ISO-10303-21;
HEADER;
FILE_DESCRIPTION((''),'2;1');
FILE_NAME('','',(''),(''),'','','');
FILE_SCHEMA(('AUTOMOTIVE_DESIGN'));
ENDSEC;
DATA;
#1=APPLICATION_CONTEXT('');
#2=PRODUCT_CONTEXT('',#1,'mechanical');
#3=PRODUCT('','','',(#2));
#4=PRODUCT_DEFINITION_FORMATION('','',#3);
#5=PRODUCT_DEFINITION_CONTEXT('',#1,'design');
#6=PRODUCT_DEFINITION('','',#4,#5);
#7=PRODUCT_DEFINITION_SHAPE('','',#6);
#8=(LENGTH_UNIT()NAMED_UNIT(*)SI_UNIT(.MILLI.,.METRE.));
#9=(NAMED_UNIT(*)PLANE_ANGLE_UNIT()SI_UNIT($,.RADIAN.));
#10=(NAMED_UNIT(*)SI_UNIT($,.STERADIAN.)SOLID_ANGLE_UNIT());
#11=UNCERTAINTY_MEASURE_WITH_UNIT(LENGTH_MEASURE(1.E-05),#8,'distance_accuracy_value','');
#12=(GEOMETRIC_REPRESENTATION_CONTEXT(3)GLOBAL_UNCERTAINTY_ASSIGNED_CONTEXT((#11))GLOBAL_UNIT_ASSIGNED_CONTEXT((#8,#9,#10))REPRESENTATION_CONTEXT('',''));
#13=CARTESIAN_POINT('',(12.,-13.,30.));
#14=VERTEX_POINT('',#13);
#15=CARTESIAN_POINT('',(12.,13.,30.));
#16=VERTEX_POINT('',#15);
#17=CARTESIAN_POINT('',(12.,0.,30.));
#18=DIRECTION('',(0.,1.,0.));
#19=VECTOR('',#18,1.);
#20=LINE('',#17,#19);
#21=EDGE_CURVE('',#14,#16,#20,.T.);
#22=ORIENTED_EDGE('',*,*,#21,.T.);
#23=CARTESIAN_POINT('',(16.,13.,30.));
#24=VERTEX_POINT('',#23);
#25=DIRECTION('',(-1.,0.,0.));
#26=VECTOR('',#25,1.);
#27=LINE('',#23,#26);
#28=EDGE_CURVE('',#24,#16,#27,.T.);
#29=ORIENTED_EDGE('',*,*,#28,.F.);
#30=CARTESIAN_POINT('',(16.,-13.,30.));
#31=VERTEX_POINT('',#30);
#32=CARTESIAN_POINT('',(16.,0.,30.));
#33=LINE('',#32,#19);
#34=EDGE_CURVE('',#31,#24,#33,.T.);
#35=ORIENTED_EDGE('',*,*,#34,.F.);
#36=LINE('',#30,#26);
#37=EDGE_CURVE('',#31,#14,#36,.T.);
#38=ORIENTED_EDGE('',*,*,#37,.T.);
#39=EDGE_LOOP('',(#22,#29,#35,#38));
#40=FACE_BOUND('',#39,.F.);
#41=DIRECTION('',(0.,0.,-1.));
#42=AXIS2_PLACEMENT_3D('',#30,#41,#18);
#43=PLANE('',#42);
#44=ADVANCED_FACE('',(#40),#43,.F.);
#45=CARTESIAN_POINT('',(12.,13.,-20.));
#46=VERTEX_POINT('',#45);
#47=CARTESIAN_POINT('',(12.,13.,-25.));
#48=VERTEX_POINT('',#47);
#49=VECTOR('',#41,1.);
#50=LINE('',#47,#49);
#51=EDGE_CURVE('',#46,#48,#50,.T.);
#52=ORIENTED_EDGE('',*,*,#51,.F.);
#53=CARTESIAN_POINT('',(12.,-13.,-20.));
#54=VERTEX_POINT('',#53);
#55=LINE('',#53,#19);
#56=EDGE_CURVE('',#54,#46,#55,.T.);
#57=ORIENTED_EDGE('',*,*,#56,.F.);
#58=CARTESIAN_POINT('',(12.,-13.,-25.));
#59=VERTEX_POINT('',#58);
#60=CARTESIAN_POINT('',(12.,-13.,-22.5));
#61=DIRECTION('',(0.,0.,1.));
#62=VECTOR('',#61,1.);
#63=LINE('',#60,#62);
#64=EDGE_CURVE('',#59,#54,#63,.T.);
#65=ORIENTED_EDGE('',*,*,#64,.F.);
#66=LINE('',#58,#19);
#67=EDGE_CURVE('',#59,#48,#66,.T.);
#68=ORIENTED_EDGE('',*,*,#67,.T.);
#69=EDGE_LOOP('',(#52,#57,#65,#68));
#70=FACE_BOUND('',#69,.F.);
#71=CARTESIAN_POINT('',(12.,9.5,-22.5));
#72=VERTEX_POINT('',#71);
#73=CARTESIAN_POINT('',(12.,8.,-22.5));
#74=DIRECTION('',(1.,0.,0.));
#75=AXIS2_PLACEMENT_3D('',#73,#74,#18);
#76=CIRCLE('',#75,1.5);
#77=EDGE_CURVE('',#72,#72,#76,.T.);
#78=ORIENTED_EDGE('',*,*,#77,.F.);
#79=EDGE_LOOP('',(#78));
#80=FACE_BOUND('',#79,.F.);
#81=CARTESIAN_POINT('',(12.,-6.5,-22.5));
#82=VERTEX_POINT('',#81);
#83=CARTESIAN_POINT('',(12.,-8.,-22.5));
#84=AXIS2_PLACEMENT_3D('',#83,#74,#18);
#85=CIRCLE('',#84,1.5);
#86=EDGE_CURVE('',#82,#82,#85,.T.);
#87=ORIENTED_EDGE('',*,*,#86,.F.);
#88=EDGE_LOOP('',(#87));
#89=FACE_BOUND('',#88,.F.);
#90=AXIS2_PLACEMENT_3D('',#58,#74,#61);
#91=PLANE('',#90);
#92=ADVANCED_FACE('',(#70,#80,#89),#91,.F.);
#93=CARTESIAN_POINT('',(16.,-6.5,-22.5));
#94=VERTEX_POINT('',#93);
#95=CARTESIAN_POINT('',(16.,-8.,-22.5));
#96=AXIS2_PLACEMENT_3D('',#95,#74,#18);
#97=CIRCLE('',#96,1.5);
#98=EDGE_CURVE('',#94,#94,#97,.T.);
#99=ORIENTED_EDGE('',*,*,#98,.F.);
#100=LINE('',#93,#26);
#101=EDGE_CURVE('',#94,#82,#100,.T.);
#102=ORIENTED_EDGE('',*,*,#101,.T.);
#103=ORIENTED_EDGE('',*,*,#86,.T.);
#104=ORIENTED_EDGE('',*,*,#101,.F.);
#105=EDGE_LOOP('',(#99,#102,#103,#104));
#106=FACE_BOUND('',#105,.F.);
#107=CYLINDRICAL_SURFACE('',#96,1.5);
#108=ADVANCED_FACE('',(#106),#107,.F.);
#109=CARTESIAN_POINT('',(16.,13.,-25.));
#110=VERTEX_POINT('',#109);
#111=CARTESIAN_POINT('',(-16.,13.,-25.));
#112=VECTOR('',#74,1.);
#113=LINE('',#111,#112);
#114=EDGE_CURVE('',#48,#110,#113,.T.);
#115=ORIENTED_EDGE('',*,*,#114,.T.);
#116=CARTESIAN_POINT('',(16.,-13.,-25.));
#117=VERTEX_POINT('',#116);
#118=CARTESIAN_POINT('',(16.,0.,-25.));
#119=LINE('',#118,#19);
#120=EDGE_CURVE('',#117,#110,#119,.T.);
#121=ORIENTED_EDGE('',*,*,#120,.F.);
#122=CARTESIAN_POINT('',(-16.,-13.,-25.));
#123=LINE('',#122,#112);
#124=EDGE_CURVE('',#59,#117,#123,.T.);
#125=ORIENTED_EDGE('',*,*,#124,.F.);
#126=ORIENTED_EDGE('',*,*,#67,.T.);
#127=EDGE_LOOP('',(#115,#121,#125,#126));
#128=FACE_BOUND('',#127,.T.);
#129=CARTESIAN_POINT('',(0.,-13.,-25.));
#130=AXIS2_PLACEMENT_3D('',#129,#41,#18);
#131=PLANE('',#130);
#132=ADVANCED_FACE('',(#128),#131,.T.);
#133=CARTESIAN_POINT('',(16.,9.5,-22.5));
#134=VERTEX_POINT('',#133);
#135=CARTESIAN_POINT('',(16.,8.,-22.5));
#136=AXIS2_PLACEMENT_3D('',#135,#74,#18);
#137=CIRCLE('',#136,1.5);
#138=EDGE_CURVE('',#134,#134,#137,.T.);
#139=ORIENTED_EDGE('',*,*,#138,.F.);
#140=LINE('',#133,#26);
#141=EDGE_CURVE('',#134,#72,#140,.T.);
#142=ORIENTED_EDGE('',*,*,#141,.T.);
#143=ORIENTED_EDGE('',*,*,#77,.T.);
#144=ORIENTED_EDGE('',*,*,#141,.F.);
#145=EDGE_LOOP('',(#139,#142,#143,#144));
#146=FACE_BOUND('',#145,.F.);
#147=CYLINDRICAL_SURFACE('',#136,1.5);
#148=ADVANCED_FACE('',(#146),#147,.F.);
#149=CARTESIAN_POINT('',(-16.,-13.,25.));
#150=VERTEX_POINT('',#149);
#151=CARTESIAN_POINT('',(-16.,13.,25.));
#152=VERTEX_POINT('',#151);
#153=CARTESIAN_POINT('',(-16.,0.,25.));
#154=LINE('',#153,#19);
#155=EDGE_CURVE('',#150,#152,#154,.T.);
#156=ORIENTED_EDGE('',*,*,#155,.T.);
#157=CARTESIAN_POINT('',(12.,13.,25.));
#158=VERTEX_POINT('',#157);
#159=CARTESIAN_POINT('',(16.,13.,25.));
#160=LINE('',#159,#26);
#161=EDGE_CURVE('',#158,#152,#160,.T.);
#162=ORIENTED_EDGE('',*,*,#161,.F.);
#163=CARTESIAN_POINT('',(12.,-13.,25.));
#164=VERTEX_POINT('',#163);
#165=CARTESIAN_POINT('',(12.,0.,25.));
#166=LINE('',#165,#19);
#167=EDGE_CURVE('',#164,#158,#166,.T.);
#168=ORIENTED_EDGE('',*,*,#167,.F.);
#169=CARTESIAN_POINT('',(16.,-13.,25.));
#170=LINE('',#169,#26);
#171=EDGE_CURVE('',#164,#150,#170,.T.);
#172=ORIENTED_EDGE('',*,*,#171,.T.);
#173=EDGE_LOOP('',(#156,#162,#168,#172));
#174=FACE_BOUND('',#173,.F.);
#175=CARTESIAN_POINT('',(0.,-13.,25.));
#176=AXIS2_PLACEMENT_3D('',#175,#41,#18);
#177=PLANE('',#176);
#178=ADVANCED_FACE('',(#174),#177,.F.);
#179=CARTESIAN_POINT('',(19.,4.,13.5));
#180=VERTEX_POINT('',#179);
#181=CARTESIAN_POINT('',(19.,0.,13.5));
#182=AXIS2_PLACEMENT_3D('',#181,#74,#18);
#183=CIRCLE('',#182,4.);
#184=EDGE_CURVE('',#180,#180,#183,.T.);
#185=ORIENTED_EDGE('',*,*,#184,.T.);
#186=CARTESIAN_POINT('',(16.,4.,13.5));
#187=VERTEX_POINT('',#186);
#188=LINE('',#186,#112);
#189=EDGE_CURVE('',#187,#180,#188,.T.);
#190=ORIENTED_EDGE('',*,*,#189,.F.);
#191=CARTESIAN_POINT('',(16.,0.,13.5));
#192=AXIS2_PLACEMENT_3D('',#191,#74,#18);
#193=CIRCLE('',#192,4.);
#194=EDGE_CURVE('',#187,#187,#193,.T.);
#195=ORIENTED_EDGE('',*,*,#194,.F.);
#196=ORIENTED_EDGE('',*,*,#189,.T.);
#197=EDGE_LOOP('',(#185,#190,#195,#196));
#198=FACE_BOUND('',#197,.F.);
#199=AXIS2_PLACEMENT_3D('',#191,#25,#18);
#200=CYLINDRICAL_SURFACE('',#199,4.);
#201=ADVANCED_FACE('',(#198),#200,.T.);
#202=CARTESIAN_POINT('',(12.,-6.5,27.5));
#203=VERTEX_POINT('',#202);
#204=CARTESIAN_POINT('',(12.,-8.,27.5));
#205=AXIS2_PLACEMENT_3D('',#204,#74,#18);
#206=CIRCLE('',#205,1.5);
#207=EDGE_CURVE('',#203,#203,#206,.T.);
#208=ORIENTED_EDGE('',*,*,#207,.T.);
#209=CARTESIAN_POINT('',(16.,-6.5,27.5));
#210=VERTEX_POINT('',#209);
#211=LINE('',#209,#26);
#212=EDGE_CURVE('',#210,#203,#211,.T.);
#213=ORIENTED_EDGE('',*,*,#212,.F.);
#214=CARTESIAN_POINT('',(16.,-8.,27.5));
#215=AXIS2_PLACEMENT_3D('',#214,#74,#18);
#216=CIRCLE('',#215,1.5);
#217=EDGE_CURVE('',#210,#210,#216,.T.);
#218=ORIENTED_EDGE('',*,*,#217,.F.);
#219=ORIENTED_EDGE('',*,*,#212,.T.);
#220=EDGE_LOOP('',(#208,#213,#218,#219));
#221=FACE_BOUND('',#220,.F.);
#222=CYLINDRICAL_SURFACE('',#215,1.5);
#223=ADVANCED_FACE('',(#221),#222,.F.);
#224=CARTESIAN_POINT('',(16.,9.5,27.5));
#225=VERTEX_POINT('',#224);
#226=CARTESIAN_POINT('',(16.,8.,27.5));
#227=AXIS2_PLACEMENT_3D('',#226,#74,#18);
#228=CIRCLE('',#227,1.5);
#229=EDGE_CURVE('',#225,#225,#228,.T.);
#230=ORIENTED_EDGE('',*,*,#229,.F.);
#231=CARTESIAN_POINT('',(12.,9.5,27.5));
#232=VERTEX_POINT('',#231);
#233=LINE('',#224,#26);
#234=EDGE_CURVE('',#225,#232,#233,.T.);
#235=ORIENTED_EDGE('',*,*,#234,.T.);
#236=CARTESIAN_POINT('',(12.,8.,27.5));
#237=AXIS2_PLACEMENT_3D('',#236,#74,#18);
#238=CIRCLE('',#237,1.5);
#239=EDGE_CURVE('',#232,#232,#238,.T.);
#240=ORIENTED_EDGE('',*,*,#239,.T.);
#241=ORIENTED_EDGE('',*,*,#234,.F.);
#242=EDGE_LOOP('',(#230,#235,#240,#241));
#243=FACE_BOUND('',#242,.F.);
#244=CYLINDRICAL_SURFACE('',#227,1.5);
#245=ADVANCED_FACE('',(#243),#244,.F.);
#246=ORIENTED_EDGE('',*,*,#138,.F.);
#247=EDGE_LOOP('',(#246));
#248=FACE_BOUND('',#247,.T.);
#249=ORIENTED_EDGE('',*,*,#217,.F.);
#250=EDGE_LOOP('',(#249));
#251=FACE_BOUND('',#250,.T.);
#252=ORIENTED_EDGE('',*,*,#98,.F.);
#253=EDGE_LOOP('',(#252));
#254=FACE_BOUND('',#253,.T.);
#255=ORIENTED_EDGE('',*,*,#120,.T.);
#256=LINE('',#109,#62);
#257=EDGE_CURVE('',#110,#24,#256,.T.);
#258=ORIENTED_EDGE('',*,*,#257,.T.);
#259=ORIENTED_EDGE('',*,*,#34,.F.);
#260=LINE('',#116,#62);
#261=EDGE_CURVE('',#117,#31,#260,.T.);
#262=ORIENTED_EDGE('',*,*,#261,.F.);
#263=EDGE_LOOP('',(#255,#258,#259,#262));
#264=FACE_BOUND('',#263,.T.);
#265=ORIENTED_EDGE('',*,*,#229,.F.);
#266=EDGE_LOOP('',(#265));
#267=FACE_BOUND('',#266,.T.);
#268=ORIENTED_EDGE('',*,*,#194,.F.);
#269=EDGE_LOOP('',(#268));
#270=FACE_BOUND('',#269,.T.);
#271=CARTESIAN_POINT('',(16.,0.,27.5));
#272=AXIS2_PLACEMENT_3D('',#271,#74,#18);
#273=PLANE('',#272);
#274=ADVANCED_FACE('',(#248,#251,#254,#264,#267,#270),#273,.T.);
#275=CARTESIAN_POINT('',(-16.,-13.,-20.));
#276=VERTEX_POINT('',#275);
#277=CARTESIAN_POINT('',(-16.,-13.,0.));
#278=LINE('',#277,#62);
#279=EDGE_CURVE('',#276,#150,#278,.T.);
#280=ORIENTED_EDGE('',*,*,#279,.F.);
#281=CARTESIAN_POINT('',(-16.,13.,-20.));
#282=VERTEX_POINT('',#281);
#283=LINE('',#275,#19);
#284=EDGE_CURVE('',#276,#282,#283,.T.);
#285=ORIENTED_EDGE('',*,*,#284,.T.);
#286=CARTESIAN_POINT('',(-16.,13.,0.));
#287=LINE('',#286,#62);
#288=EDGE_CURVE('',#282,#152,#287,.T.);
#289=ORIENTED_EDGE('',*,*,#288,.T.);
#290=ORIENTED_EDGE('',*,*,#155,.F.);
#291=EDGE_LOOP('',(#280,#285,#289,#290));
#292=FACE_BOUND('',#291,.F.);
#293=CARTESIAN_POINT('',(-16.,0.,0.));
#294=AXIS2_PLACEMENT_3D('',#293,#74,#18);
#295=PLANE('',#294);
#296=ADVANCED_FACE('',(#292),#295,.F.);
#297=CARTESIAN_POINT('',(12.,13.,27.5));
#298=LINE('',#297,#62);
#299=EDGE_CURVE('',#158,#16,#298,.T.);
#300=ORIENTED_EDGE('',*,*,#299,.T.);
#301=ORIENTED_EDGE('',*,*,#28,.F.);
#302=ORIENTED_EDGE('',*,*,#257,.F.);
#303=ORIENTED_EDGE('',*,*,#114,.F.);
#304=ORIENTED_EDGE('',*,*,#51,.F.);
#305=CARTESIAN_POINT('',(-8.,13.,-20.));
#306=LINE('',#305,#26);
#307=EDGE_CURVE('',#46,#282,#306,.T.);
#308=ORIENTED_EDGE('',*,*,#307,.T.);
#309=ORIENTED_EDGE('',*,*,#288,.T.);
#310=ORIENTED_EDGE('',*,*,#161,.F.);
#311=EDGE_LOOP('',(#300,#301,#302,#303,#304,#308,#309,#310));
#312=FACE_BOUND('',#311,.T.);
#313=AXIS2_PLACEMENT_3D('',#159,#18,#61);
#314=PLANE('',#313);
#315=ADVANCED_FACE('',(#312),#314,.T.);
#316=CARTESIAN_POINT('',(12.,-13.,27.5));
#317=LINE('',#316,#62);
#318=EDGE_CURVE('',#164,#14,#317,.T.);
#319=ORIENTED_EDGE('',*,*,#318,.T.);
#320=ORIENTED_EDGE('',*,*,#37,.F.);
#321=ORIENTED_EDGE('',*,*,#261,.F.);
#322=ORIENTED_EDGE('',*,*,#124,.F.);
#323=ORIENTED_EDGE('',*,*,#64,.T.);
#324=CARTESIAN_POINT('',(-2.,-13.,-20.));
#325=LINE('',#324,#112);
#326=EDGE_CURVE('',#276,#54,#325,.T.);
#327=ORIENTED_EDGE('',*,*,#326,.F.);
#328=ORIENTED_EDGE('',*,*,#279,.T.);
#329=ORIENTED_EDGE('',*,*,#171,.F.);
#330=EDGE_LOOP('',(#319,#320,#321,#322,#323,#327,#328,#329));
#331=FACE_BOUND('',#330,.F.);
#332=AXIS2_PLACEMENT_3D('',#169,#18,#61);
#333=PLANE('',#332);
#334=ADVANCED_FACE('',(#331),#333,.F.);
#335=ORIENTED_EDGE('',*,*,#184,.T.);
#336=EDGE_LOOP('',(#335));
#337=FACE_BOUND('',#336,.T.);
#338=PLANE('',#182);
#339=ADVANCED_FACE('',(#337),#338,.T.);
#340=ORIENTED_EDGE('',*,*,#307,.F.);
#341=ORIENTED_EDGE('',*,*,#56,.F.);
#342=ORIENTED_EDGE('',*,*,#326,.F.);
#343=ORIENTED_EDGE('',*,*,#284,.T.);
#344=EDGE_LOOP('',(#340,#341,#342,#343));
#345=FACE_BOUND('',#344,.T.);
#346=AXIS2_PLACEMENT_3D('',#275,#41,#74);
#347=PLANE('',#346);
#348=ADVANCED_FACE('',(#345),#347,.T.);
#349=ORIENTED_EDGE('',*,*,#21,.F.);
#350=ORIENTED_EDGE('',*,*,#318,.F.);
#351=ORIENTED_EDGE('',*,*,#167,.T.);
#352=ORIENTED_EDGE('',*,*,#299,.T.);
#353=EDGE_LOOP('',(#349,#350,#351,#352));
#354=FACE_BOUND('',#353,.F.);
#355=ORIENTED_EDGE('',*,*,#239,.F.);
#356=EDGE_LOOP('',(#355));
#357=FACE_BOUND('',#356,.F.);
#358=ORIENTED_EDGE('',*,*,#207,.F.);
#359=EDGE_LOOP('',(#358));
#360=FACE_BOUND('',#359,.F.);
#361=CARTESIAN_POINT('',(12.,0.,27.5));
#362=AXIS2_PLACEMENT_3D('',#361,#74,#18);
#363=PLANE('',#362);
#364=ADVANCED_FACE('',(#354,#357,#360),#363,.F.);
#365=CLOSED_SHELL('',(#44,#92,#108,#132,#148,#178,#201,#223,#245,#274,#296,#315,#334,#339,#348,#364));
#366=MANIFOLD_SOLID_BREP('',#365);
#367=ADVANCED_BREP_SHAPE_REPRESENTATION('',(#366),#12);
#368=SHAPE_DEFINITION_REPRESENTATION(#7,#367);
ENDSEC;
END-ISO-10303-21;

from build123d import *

# Parameters (mm, degrees)
F0_W     = 26
F0_H     = 50
F1_DEPTH = 16
F2_R     = 4
F3_DEPTH = 3
F4_W     = 28
F4_H     = 5
F5_DEPTH = 1320.8
F6_W     = 26
F6_H     = 5
F6_R     = 1.5
F7_DEPTH = 4
F8_R     = 1.5
F9_DEPTH = 4


with BuildPart() as f1:
    # F0 (on Right) → F1 (new body, symmetric)
    with BuildSketch(Plane.YZ):
        Rectangle(F0_W, F0_H)
    extrude(amount=F1_DEPTH, both=True)

    # F2 (on face) → F3 (join)
    with BuildSketch(Plane.YZ.offset(16)):
        with Locations((0, 13.5)):
            Circle(F2_R)
    extrude(amount=F3_DEPTH)

    # F4 (on face) → F5 (cut)
    with BuildSketch(Plane.XZ.offset(13)):
        with Locations((-2, -22.5)):
            Rectangle(F4_W, F4_H)
    extrude(amount=-F5_DEPTH, mode=Mode.SUBTRACT)

    # F6 (on face) → F7 (join)
    with BuildSketch(Plane.YZ.offset(16)):
        with Locations((0, 27.5)):
            Rectangle(F6_W, F6_H)
        with Locations((-8, 27.5)):
            Circle(F6_R, mode=Mode.SUBTRACT)
        with Locations((8, 27.5)):
            Circle(F6_R, mode=Mode.SUBTRACT)
    extrude(amount=-F7_DEPTH)

    # F8 (on face) → F9 (cut)
    with BuildSketch(Plane.YZ.offset(16)):
        with Locations((-8, -22.5)):
            Circle(F8_R)
        with Locations((8, -22.5)):
            Circle(F8_R)
    extrude(amount=-F9_DEPTH, mode=Mode.SUBTRACT)


solid = f1.part
